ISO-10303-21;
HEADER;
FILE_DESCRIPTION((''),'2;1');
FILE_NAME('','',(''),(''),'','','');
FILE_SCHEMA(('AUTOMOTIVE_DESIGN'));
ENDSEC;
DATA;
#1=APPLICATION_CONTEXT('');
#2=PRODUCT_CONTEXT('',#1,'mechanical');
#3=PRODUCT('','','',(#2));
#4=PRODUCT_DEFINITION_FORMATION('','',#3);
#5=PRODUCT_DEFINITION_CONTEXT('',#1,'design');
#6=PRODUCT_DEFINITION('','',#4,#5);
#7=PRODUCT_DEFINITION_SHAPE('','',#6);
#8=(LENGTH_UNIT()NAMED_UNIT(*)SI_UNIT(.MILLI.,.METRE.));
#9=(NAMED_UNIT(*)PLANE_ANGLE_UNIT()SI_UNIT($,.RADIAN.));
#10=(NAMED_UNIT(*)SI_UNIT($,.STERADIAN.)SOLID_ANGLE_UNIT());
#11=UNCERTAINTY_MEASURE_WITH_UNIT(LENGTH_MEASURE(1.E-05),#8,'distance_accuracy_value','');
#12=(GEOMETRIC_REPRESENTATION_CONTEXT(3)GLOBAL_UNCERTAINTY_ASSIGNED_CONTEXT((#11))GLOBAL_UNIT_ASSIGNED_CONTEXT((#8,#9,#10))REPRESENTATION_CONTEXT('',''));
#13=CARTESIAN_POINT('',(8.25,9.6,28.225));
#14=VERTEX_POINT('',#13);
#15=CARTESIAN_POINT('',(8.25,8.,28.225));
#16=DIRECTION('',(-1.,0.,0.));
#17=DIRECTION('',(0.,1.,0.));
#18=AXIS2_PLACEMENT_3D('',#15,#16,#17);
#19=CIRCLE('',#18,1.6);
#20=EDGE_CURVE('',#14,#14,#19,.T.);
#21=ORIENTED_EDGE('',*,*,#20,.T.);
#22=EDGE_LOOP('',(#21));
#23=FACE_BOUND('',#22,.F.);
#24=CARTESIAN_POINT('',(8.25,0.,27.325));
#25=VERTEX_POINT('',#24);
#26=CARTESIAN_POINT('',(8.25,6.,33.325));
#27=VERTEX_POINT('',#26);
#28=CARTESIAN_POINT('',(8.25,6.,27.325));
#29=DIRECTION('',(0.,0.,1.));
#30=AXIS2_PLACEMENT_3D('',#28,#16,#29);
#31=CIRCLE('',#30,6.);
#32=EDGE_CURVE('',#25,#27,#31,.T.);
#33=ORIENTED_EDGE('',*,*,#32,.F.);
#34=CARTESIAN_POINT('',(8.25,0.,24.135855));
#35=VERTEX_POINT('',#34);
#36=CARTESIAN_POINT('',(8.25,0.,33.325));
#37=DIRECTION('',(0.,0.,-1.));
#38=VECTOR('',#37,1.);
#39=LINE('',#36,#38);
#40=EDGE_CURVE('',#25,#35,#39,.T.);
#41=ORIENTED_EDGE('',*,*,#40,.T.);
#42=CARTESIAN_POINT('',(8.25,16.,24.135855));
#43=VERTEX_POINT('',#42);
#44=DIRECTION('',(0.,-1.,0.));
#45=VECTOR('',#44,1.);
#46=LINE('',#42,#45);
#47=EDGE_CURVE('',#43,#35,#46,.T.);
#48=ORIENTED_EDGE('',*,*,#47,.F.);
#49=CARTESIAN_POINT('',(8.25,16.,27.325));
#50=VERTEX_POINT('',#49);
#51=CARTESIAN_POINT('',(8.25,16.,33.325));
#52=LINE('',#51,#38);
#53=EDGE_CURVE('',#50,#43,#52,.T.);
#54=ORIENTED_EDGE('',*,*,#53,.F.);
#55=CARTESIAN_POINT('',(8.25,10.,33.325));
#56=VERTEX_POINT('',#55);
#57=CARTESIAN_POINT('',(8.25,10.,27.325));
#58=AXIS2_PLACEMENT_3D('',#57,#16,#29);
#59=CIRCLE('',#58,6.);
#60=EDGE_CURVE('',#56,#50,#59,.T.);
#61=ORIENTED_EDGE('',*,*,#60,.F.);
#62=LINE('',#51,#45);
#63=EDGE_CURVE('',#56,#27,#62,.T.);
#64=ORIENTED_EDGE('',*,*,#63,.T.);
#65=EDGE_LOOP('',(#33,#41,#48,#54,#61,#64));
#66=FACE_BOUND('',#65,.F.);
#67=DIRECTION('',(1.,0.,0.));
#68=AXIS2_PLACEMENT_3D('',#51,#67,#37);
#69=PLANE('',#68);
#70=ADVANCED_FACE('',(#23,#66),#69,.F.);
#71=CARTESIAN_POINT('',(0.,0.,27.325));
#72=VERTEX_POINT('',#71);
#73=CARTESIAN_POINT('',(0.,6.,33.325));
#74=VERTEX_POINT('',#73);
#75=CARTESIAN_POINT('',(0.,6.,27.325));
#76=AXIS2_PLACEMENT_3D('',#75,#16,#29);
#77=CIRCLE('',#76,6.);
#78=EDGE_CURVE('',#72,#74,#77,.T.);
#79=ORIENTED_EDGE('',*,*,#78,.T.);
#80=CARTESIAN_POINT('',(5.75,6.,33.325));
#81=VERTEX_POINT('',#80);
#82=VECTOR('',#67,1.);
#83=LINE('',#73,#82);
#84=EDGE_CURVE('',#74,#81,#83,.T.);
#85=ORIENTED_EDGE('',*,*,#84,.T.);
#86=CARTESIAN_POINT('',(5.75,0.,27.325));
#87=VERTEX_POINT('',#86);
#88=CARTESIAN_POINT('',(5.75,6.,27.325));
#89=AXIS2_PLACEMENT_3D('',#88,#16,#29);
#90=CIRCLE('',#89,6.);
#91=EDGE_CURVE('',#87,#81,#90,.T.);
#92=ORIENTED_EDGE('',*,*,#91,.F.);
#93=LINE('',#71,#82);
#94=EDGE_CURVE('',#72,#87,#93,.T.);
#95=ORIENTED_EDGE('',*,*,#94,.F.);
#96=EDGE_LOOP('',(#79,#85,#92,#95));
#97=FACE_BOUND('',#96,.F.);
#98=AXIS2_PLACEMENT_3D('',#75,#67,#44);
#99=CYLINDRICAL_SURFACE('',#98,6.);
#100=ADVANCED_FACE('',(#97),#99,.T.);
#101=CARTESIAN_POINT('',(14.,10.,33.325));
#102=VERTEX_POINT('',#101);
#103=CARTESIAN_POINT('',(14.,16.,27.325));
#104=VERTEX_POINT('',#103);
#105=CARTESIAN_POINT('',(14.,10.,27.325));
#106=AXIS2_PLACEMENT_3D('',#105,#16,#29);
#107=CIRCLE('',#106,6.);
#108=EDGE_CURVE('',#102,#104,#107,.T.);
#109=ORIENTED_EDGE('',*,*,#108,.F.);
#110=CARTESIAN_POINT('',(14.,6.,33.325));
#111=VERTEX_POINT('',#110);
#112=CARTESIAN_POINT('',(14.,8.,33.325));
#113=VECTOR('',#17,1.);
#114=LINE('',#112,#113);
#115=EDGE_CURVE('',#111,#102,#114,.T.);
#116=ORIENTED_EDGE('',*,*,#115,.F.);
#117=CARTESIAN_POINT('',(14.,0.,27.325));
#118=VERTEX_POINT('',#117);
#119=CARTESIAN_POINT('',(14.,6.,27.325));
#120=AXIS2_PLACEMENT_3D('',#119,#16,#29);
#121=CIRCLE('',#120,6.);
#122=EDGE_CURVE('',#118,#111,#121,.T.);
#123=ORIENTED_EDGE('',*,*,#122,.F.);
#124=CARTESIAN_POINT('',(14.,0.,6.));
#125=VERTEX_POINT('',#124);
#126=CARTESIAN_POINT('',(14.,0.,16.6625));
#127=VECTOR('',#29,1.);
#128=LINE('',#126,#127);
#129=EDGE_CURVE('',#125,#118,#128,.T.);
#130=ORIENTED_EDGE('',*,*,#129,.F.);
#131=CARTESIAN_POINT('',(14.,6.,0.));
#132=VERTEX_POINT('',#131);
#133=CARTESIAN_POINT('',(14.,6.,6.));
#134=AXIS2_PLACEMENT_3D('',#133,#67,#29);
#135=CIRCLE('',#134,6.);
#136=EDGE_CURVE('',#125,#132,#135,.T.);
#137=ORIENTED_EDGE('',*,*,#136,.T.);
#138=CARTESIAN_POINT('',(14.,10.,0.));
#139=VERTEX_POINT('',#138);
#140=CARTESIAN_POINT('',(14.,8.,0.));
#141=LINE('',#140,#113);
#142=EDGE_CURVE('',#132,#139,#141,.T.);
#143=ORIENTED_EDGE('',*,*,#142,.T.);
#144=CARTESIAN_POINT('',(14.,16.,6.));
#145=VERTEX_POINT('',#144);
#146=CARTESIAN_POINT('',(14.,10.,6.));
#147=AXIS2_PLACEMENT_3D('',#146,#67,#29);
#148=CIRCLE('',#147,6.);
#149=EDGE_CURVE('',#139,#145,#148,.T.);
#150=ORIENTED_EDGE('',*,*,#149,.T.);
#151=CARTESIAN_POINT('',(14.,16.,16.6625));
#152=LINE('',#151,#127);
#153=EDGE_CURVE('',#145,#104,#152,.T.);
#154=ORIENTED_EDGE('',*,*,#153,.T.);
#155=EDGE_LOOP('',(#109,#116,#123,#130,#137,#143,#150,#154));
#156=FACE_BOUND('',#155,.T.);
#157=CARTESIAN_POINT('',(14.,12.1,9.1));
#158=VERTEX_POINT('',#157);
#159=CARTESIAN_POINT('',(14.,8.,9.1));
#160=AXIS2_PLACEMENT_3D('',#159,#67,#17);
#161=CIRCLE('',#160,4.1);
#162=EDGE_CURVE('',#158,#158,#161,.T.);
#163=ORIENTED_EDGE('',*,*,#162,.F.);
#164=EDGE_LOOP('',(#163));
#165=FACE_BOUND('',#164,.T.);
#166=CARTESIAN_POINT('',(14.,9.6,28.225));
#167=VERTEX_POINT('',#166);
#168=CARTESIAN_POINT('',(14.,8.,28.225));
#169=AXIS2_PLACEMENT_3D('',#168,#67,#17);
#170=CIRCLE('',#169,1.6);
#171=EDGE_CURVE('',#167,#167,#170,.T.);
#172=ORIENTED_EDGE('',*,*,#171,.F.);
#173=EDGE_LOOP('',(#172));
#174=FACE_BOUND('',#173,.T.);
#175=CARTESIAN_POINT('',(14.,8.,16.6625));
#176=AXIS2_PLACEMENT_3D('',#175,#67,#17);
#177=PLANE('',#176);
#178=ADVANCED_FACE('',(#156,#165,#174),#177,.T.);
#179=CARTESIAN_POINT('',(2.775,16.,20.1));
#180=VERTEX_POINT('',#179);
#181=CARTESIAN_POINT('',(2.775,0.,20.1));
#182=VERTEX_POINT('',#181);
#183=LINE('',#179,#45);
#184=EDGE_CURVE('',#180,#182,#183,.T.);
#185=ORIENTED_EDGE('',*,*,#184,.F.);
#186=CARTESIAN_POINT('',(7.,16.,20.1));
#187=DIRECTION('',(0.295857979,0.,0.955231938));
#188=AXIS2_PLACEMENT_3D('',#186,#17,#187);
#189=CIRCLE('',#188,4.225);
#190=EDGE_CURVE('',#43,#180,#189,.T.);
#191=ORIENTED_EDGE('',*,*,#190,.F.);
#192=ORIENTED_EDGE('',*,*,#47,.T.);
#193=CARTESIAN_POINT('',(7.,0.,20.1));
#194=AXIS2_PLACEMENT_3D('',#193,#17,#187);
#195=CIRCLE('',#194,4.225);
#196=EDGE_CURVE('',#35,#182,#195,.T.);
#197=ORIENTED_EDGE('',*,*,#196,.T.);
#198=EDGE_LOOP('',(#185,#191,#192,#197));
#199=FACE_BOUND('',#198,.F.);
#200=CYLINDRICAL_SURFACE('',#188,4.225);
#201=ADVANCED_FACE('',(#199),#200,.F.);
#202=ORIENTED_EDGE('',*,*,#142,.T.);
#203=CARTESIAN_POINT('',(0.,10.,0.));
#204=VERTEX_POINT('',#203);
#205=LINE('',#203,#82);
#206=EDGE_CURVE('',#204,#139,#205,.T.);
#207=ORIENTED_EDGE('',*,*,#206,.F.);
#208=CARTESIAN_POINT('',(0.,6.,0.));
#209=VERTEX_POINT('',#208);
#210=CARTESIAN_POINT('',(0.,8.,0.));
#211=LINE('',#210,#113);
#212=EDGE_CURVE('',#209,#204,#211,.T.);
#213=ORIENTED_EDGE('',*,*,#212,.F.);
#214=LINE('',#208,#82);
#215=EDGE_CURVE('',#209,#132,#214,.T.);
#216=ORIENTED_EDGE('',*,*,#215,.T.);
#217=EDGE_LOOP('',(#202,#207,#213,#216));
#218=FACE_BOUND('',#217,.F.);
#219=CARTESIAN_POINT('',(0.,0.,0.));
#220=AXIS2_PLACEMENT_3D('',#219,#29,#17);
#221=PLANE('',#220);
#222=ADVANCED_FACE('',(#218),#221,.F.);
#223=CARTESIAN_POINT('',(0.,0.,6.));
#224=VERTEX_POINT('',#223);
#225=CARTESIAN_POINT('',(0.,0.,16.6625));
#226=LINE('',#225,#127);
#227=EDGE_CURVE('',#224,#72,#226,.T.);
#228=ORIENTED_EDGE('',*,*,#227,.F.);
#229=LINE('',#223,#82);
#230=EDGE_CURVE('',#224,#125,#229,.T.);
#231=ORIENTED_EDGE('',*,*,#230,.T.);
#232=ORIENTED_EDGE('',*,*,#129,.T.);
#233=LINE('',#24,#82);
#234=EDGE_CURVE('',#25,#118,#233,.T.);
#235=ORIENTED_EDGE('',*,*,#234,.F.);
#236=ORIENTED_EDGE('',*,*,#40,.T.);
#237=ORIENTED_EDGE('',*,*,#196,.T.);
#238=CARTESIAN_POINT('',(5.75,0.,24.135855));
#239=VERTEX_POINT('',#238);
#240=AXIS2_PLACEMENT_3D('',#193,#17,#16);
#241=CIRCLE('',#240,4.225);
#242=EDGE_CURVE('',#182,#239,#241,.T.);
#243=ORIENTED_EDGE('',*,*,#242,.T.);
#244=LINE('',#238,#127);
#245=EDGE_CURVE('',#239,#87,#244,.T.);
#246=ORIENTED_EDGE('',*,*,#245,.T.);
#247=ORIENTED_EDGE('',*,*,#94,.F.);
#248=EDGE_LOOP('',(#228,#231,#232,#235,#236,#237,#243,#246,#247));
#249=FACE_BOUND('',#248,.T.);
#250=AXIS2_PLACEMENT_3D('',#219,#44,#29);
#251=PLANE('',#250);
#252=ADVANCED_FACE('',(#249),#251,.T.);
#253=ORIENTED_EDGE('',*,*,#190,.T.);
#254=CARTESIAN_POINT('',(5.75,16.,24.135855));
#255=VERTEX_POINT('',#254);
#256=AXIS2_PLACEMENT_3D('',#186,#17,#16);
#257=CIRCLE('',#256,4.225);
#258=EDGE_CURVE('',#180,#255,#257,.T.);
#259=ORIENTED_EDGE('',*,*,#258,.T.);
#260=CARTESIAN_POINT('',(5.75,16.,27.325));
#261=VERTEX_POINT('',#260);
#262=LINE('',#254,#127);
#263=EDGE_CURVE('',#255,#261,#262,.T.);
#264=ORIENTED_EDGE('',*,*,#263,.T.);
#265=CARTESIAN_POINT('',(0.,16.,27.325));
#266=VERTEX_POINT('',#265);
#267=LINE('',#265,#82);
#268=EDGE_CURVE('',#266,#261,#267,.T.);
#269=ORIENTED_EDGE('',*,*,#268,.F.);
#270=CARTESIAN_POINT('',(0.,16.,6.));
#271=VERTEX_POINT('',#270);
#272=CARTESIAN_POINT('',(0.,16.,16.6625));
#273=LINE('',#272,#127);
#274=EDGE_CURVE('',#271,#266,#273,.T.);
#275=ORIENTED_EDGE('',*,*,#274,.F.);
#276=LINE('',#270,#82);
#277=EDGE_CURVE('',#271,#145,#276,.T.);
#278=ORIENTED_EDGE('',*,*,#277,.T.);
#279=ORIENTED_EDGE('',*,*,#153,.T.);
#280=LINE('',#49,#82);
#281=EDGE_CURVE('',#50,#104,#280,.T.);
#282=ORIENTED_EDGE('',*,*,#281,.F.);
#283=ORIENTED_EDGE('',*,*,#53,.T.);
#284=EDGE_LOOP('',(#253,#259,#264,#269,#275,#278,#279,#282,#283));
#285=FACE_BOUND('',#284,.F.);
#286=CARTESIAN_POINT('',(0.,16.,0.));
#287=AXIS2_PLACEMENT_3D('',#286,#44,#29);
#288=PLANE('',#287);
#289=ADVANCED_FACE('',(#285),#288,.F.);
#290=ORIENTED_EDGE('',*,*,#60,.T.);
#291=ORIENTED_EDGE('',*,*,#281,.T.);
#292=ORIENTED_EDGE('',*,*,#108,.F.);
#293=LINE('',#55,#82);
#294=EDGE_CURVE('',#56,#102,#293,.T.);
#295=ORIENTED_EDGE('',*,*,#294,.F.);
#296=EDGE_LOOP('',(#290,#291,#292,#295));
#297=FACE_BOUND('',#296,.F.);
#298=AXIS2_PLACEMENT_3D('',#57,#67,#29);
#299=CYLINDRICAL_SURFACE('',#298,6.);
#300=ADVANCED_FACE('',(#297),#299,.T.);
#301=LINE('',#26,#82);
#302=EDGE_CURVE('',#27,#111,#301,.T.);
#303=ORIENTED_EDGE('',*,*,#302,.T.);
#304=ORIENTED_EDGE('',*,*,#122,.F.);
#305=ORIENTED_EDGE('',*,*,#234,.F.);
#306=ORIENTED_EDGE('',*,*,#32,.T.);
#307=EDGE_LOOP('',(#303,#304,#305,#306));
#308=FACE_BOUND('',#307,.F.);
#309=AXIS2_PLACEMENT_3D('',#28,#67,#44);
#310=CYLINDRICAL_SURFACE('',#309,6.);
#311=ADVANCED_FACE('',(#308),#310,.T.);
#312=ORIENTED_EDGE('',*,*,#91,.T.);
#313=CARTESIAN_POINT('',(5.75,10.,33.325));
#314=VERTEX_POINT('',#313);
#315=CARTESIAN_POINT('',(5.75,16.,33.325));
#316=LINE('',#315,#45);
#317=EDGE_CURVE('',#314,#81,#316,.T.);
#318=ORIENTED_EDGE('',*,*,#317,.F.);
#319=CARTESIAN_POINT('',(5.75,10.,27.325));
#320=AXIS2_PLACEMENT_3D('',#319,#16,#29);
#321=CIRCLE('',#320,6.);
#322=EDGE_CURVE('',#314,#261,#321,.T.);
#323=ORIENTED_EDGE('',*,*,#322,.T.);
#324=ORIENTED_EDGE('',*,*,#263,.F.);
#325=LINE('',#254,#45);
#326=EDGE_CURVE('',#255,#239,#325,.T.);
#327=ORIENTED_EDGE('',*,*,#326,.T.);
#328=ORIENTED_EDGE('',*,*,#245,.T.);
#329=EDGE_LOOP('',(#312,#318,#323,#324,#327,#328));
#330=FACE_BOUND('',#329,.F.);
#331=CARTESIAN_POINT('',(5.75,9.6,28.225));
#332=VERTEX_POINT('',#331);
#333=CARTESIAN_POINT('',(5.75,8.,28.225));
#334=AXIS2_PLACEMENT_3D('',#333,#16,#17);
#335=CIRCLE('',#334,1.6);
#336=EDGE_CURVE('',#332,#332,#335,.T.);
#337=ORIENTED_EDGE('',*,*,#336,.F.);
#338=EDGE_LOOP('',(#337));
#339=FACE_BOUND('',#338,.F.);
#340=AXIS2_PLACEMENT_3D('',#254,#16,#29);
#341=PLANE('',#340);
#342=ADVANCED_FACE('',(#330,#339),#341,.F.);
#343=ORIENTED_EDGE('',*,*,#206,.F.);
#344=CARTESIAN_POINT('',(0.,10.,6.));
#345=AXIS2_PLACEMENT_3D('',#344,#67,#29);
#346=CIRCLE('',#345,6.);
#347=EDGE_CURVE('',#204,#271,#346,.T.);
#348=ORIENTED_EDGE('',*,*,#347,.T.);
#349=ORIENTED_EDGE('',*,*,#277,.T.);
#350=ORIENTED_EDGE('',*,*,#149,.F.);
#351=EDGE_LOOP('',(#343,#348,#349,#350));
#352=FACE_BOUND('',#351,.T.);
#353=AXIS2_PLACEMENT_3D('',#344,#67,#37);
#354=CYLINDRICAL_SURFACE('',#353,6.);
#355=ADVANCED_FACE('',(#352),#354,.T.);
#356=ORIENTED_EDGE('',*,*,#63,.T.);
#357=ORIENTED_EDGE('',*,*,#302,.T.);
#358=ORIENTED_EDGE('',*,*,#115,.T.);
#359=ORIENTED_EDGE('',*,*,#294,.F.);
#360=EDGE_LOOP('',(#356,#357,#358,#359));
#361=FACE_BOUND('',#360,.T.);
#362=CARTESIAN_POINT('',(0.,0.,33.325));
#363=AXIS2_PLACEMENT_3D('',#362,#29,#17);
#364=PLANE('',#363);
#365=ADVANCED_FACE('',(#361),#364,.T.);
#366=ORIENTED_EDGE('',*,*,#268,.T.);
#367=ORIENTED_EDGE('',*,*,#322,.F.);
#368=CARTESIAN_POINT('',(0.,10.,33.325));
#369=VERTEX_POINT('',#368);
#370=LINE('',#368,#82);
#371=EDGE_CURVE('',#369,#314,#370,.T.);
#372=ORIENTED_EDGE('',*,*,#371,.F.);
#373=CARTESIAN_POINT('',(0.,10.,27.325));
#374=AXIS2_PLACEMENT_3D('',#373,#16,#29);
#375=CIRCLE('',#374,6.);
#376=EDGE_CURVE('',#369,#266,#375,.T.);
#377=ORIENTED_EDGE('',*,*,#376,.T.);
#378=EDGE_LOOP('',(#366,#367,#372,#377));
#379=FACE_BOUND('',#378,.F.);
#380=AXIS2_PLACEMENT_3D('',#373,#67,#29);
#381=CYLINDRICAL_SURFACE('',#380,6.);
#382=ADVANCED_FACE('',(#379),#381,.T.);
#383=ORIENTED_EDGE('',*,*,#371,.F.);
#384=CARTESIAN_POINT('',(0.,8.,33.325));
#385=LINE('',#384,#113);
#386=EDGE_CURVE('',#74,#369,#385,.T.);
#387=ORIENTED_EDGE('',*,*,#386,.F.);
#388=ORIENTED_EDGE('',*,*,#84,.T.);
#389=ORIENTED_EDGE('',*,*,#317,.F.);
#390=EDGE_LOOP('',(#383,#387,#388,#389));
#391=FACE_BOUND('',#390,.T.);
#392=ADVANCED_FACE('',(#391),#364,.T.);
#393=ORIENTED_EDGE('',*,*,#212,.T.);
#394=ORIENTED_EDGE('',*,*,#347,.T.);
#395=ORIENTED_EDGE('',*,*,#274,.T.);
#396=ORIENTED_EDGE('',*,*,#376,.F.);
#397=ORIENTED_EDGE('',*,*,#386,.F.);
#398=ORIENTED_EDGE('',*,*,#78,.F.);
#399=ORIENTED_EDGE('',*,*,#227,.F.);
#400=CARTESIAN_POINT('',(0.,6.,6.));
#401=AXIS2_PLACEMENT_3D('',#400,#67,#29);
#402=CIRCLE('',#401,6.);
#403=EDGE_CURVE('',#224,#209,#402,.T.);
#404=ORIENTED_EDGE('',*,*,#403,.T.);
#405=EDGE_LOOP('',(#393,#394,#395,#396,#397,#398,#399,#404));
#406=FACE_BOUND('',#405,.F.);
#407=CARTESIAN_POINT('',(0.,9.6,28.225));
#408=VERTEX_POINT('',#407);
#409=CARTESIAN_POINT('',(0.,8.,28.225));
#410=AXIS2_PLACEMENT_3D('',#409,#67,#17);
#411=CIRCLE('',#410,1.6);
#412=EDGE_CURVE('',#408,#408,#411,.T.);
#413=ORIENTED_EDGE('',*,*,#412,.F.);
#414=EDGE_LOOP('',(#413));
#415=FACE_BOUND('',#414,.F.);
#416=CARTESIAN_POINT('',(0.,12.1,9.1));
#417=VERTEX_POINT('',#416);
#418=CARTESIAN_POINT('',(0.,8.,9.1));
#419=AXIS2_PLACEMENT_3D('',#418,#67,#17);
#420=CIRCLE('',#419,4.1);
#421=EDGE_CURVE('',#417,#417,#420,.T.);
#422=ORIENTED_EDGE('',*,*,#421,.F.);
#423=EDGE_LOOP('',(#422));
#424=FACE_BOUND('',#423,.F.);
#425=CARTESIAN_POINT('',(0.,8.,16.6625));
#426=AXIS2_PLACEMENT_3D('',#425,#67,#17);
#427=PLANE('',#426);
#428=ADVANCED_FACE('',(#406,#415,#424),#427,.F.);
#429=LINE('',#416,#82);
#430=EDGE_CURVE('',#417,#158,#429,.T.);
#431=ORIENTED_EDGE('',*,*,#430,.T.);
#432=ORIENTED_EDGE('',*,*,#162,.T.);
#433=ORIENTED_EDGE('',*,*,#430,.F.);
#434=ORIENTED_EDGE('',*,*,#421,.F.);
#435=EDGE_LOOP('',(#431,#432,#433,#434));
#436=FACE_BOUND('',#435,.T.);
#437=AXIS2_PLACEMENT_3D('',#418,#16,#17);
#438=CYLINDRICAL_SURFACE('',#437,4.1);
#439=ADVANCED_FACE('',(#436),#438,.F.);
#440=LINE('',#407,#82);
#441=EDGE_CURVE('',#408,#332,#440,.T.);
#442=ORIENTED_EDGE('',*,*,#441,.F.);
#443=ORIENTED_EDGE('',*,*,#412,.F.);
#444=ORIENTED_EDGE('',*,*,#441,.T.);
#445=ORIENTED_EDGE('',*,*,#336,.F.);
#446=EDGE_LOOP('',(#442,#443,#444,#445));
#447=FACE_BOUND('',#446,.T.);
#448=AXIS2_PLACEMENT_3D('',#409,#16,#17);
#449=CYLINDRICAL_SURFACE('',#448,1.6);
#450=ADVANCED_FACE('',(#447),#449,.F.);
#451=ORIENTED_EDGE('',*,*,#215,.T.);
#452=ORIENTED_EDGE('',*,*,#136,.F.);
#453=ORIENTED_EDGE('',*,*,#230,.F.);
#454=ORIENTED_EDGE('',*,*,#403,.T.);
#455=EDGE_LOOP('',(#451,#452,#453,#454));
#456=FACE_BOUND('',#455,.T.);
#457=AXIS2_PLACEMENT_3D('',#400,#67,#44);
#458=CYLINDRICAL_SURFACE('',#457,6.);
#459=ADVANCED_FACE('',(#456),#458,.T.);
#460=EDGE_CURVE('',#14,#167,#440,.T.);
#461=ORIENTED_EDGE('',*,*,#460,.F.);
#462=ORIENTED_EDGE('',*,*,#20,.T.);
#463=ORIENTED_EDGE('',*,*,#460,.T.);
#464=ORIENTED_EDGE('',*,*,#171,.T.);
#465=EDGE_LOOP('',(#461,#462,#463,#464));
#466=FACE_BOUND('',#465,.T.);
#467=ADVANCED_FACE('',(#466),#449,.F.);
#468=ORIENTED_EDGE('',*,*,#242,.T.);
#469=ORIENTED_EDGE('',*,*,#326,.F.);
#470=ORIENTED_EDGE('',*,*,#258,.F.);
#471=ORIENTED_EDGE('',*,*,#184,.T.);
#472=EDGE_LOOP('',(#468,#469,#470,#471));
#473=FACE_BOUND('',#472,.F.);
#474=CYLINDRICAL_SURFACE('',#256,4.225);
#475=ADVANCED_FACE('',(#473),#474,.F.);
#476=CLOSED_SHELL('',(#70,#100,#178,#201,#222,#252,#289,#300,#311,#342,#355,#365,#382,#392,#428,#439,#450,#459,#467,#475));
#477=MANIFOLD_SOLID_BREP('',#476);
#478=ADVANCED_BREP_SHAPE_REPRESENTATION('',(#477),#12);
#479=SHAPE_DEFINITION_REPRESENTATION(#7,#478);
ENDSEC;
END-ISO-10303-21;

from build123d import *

# Parameters (mm, degrees)
F0_W     = 16
F0_H     = 33.325
F0_R     = 4.1
F0_R_2   = 4.225
F0_R_3   = 1.6
F1_DEPTH = 14
F3_DEPTH = 16
F4_R     = 6


with BuildPart() as f1:
    # F0 (on Right) → F1 (new body)
    with BuildSketch(Plane.YZ):
        with Locations((8, 16.6625)):
            Rectangle(F0_W, F0_H)
        with Locations((8, 9.1)):
            Circle(F0_R, mode=Mode.SUBTRACT)
        with Locations((8, 20.1)):
            Circle(F0_R_2, mode=Mode.SUBTRACT)
        with Locations((8, 28.225)):
            Circle(F0_R_3, mode=Mode.SUBTRACT)
        with Locations((8, 20.1)):
            Circle(F0_R_2)
    extrude(amount=F1_DEPTH)

    # F2 (on face) → F3 (cut, through all)
    with BuildSketch(Plane(origin=(0, 16, 0), x_dir=(-1, 0, 0), z_dir=(0, 1, 0))):
        with BuildLine():
            ThreePointArc((-8.25, 24.135855), (-9.506928, 16.699127), (-2.775, 20.1))
            ThreePointArc((-2.775, 20.1), (-3.599127, 22.606928), (-5.75, 24.135855))
            ThreePointArc((-5.75, 24.135855), (-7, 24.325), (-8.25, 24.135855))
        make_face()
        with BuildLine():
            ThreePointArc((-8.25, 24.135855), (-7, 24.325), (-5.75, 24.135855))
            Line((-5.75, 24.135855), (-5.75, 33.325))
            Line((-5.75, 33.325), (-8.25, 33.325))
            Line((-8.25, 33.325), (-8.25, 24.135855))
        make_face()
    extrude(amount=-F3_DEPTH, mode=Mode.SUBTRACT)

    # F4
    f4_edges = [f1.edges().sort_by_distance(p)[0] for p in [
        (7, 16, 0),
        (7, 0, 0),
        (11.125, 0, 33.325),
        (2.875, 0, 33.325),
        (11.125, 16, 33.325),
        (2.875, 16, 33.325),
    ]]
    fillet(f4_edges, radius=F4_R)


solid = f1.part
